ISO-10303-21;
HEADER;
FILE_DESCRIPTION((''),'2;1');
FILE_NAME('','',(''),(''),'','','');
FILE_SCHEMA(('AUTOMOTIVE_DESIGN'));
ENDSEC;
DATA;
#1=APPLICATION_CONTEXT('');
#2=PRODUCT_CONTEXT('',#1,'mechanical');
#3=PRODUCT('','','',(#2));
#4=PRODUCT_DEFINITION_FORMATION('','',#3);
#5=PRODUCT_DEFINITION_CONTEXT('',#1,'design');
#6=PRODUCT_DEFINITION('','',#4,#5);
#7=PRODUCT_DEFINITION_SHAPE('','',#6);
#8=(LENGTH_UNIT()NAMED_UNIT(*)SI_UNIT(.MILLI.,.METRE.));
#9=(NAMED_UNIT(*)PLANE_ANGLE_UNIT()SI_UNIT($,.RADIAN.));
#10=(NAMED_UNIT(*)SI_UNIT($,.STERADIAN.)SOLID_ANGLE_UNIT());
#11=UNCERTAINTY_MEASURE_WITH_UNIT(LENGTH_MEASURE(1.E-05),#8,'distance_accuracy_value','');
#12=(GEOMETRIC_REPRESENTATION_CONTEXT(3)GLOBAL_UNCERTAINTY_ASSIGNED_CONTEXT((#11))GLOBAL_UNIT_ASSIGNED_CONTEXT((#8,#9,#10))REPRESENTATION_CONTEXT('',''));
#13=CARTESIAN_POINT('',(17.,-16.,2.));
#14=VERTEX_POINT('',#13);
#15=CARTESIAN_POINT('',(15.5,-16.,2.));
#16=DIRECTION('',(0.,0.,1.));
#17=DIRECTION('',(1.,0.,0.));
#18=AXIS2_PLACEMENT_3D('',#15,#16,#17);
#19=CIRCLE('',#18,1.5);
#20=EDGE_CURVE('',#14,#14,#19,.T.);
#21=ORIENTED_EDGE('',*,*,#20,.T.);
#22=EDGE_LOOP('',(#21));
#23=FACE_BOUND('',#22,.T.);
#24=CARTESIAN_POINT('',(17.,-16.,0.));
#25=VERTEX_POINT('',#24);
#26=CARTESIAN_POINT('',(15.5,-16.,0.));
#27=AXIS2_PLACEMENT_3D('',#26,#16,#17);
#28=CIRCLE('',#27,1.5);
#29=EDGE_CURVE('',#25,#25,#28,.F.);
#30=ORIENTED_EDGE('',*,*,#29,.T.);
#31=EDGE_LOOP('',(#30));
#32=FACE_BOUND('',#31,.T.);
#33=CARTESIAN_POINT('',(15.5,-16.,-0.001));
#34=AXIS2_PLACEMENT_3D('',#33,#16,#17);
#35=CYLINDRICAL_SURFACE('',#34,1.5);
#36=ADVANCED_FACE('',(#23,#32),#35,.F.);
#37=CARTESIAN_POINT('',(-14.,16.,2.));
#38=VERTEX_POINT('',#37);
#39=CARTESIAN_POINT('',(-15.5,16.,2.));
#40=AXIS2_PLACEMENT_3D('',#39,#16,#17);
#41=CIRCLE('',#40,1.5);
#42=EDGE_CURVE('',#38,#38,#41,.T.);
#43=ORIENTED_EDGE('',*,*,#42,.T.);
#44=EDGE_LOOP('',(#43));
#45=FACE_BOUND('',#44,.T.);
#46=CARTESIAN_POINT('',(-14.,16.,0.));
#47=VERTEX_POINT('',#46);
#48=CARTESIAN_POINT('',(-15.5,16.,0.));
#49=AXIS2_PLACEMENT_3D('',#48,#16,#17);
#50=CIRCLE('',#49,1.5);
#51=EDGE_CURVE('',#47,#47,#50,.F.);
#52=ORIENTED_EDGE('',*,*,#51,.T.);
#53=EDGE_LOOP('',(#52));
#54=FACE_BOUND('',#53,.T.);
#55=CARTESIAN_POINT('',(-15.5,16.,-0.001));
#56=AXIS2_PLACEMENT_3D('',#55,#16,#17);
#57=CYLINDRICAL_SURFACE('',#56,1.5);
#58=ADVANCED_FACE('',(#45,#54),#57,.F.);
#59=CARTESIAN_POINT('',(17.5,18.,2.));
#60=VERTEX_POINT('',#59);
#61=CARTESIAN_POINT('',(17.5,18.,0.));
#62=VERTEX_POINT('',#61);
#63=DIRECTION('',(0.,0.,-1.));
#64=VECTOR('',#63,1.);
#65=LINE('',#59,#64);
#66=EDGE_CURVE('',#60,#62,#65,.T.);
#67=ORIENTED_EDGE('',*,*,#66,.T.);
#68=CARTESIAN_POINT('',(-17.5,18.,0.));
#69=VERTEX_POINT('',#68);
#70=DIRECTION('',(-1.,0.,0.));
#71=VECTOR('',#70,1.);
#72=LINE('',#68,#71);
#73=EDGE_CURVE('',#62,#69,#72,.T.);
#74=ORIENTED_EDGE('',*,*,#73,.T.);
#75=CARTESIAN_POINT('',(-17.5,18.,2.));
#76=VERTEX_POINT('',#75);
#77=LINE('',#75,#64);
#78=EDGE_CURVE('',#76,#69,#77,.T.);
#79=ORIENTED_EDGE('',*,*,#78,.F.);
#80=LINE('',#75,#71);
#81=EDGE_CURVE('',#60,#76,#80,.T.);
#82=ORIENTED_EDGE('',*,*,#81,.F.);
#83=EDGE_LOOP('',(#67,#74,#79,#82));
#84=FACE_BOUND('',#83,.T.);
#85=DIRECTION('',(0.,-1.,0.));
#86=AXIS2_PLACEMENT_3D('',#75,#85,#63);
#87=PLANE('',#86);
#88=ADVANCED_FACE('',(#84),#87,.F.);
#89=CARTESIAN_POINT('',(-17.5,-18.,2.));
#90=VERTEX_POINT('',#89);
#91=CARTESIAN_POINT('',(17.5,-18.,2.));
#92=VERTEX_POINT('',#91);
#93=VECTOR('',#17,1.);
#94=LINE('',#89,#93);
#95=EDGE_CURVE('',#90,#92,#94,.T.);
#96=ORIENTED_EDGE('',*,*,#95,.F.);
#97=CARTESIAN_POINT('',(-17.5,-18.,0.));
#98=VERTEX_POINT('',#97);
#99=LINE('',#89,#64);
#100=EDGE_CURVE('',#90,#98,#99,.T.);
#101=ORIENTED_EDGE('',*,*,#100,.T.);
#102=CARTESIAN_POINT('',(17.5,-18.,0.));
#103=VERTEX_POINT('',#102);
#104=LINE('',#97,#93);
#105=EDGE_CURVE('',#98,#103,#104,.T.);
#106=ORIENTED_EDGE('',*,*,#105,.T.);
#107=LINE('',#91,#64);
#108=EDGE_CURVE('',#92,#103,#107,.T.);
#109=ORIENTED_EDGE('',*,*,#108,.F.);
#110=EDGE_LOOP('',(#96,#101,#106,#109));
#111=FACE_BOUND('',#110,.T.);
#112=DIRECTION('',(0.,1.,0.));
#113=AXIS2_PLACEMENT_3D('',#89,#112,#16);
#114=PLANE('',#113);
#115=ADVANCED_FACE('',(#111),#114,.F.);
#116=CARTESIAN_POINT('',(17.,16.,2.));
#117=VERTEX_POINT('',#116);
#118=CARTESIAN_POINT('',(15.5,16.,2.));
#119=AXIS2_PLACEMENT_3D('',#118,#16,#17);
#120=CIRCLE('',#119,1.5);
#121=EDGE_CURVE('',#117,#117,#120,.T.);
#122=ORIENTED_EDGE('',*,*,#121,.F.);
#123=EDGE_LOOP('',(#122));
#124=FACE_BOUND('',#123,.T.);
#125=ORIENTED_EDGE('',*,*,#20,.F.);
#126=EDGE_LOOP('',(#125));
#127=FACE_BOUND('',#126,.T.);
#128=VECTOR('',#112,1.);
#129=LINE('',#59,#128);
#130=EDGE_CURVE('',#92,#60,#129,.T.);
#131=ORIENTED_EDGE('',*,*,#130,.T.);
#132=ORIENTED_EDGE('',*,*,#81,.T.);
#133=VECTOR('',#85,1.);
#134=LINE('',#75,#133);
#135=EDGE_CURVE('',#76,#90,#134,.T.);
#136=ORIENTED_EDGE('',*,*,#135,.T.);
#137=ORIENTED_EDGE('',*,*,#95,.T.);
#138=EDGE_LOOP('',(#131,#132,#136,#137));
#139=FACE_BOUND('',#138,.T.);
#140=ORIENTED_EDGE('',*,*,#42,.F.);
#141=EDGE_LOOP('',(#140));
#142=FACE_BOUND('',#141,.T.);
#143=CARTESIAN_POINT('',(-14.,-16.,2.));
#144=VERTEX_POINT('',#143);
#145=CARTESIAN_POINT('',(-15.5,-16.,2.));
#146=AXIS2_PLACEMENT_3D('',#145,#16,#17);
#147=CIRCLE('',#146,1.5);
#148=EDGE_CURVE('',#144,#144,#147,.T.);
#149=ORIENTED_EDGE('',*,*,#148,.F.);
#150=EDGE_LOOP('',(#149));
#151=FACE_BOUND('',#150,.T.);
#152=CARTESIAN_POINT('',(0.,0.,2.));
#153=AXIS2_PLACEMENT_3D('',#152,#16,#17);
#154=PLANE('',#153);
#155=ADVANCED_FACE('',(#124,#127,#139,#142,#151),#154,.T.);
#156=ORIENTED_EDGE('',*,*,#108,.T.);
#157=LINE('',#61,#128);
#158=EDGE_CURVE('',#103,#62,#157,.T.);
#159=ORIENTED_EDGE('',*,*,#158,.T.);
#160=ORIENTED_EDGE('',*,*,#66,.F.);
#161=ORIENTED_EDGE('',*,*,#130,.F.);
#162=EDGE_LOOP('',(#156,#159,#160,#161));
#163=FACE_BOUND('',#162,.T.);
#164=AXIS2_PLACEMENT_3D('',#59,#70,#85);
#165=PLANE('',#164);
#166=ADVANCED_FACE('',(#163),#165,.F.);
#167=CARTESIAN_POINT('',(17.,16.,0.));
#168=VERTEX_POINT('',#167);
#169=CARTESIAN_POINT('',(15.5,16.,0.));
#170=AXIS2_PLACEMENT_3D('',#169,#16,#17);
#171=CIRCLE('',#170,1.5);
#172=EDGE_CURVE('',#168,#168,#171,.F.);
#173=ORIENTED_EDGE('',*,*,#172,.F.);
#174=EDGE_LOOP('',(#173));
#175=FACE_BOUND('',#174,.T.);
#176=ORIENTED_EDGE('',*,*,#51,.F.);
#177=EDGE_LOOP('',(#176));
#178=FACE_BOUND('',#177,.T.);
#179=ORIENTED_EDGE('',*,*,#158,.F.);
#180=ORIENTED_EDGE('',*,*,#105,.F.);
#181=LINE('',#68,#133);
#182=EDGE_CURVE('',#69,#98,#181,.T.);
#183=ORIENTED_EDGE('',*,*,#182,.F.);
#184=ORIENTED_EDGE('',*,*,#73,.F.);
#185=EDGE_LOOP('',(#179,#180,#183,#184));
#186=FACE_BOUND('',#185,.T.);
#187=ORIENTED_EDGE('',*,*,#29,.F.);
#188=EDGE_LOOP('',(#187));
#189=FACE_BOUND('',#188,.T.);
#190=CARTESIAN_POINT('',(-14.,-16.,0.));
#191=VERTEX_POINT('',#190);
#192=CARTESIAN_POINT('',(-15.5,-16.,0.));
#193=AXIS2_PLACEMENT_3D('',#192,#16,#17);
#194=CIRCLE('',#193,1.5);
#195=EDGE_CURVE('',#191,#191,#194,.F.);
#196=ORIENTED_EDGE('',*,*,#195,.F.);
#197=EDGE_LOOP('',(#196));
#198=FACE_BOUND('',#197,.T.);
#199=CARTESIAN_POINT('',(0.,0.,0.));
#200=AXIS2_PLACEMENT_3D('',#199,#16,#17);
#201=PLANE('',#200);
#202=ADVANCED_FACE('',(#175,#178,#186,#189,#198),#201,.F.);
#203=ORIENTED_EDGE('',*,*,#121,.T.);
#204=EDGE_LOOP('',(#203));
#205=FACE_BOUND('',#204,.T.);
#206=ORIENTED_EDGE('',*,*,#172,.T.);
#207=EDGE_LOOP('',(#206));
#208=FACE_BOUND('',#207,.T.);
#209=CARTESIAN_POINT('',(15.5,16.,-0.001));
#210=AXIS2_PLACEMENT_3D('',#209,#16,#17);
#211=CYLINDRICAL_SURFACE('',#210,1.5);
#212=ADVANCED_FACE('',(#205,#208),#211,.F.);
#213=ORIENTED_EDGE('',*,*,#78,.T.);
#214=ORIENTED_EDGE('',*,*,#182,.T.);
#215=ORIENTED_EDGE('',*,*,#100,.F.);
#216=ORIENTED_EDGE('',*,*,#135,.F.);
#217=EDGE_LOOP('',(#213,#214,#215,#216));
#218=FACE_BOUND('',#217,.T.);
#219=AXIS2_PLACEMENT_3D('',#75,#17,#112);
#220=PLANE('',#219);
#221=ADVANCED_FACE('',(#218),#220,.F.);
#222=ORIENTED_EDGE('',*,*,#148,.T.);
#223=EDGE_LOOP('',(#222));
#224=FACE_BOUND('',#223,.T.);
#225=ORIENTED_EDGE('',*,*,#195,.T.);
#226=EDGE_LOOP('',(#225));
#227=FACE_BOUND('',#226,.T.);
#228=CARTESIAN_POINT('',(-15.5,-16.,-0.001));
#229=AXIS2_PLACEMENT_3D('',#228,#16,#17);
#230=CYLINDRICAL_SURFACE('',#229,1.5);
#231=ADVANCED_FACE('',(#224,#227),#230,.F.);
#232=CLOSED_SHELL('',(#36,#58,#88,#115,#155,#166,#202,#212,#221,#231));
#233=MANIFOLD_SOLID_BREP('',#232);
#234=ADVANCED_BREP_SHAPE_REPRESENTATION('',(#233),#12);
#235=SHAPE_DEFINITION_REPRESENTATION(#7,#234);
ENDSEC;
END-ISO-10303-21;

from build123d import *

# Parameters (mm, degrees)
SKETCH_1_W          = 35
SKETCH_1_H          = 36
EXTRUDE_1_DEPTH     = 2
CUT_EXTRUDE_1_REACH = 27.184
SKETCH_2_R          = 1.5


with BuildPart() as part:
    # 草图1 → 凸台-拉伸1 (new body)
    with BuildSketch(Plane.XY):
        Rectangle(SKETCH_1_W, SKETCH_1_H)
    extrude(amount=EXTRUDE_1_DEPTH)

    # 草图2 → 切除-拉伸1 (cut, up to next)
    with BuildSketch(Plane.XY.offset(2), mode=Mode.PRIVATE) as cut_extrude_1_sk1:
        with Locations((-15.5, 16)):
            Circle(SKETCH_2_R)
    cut_extrude_1_tool1 = extrude(cut_extrude_1_sk1.sketch, amount=-CUT_EXTRUDE_1_REACH, mode=Mode.PRIVATE) & part.part
    # 草图2 → 切除-拉伸1 (cut, up to next)
    with BuildSketch(Plane.XY.offset(2), mode=Mode.PRIVATE) as cut_extrude_1_sk2:
        with Locations((15.5, 16)):
            Circle(SKETCH_2_R)
    cut_extrude_1_tool2 = extrude(cut_extrude_1_sk2.sketch, amount=-CUT_EXTRUDE_1_REACH, mode=Mode.PRIVATE) & part.part
    # 草图2 → 切除-拉伸1 (cut, up to next)
    with BuildSketch(Plane.XY.offset(2), mode=Mode.PRIVATE) as cut_extrude_1_sk3:
        with Locations((15.5, -16)):
            Circle(SKETCH_2_R)
    cut_extrude_1_tool3 = extrude(cut_extrude_1_sk3.sketch, amount=-CUT_EXTRUDE_1_REACH, mode=Mode.PRIVATE) & part.part
    # 草图2 → 切除-拉伸1 (cut, up to next)
    with BuildSketch(Plane.XY.offset(2), mode=Mode.PRIVATE) as cut_extrude_1_sk4:
        with Locations((-15.5, -16)):
            Circle(SKETCH_2_R)
    cut_extrude_1_tool4 = extrude(cut_extrude_1_sk4.sketch, amount=-CUT_EXTRUDE_1_REACH, mode=Mode.PRIVATE) & part.part
    add(cut_extrude_1_tool1.solids().sort_by_distance((-15.5, 16, 2))[0], mode=Mode.SUBTRACT)
    add(cut_extrude_1_tool2.solids().sort_by_distance((15.5, 16, 2))[0], mode=Mode.SUBTRACT)
    add(cut_extrude_1_tool3.solids().sort_by_distance((15.5, -16, 2))[0], mode=Mode.SUBTRACT)
    add(cut_extrude_1_tool4.solids().sort_by_distance((-15.5, -16, 2))[0], mode=Mode.SUBTRACT)


solid = part.part
